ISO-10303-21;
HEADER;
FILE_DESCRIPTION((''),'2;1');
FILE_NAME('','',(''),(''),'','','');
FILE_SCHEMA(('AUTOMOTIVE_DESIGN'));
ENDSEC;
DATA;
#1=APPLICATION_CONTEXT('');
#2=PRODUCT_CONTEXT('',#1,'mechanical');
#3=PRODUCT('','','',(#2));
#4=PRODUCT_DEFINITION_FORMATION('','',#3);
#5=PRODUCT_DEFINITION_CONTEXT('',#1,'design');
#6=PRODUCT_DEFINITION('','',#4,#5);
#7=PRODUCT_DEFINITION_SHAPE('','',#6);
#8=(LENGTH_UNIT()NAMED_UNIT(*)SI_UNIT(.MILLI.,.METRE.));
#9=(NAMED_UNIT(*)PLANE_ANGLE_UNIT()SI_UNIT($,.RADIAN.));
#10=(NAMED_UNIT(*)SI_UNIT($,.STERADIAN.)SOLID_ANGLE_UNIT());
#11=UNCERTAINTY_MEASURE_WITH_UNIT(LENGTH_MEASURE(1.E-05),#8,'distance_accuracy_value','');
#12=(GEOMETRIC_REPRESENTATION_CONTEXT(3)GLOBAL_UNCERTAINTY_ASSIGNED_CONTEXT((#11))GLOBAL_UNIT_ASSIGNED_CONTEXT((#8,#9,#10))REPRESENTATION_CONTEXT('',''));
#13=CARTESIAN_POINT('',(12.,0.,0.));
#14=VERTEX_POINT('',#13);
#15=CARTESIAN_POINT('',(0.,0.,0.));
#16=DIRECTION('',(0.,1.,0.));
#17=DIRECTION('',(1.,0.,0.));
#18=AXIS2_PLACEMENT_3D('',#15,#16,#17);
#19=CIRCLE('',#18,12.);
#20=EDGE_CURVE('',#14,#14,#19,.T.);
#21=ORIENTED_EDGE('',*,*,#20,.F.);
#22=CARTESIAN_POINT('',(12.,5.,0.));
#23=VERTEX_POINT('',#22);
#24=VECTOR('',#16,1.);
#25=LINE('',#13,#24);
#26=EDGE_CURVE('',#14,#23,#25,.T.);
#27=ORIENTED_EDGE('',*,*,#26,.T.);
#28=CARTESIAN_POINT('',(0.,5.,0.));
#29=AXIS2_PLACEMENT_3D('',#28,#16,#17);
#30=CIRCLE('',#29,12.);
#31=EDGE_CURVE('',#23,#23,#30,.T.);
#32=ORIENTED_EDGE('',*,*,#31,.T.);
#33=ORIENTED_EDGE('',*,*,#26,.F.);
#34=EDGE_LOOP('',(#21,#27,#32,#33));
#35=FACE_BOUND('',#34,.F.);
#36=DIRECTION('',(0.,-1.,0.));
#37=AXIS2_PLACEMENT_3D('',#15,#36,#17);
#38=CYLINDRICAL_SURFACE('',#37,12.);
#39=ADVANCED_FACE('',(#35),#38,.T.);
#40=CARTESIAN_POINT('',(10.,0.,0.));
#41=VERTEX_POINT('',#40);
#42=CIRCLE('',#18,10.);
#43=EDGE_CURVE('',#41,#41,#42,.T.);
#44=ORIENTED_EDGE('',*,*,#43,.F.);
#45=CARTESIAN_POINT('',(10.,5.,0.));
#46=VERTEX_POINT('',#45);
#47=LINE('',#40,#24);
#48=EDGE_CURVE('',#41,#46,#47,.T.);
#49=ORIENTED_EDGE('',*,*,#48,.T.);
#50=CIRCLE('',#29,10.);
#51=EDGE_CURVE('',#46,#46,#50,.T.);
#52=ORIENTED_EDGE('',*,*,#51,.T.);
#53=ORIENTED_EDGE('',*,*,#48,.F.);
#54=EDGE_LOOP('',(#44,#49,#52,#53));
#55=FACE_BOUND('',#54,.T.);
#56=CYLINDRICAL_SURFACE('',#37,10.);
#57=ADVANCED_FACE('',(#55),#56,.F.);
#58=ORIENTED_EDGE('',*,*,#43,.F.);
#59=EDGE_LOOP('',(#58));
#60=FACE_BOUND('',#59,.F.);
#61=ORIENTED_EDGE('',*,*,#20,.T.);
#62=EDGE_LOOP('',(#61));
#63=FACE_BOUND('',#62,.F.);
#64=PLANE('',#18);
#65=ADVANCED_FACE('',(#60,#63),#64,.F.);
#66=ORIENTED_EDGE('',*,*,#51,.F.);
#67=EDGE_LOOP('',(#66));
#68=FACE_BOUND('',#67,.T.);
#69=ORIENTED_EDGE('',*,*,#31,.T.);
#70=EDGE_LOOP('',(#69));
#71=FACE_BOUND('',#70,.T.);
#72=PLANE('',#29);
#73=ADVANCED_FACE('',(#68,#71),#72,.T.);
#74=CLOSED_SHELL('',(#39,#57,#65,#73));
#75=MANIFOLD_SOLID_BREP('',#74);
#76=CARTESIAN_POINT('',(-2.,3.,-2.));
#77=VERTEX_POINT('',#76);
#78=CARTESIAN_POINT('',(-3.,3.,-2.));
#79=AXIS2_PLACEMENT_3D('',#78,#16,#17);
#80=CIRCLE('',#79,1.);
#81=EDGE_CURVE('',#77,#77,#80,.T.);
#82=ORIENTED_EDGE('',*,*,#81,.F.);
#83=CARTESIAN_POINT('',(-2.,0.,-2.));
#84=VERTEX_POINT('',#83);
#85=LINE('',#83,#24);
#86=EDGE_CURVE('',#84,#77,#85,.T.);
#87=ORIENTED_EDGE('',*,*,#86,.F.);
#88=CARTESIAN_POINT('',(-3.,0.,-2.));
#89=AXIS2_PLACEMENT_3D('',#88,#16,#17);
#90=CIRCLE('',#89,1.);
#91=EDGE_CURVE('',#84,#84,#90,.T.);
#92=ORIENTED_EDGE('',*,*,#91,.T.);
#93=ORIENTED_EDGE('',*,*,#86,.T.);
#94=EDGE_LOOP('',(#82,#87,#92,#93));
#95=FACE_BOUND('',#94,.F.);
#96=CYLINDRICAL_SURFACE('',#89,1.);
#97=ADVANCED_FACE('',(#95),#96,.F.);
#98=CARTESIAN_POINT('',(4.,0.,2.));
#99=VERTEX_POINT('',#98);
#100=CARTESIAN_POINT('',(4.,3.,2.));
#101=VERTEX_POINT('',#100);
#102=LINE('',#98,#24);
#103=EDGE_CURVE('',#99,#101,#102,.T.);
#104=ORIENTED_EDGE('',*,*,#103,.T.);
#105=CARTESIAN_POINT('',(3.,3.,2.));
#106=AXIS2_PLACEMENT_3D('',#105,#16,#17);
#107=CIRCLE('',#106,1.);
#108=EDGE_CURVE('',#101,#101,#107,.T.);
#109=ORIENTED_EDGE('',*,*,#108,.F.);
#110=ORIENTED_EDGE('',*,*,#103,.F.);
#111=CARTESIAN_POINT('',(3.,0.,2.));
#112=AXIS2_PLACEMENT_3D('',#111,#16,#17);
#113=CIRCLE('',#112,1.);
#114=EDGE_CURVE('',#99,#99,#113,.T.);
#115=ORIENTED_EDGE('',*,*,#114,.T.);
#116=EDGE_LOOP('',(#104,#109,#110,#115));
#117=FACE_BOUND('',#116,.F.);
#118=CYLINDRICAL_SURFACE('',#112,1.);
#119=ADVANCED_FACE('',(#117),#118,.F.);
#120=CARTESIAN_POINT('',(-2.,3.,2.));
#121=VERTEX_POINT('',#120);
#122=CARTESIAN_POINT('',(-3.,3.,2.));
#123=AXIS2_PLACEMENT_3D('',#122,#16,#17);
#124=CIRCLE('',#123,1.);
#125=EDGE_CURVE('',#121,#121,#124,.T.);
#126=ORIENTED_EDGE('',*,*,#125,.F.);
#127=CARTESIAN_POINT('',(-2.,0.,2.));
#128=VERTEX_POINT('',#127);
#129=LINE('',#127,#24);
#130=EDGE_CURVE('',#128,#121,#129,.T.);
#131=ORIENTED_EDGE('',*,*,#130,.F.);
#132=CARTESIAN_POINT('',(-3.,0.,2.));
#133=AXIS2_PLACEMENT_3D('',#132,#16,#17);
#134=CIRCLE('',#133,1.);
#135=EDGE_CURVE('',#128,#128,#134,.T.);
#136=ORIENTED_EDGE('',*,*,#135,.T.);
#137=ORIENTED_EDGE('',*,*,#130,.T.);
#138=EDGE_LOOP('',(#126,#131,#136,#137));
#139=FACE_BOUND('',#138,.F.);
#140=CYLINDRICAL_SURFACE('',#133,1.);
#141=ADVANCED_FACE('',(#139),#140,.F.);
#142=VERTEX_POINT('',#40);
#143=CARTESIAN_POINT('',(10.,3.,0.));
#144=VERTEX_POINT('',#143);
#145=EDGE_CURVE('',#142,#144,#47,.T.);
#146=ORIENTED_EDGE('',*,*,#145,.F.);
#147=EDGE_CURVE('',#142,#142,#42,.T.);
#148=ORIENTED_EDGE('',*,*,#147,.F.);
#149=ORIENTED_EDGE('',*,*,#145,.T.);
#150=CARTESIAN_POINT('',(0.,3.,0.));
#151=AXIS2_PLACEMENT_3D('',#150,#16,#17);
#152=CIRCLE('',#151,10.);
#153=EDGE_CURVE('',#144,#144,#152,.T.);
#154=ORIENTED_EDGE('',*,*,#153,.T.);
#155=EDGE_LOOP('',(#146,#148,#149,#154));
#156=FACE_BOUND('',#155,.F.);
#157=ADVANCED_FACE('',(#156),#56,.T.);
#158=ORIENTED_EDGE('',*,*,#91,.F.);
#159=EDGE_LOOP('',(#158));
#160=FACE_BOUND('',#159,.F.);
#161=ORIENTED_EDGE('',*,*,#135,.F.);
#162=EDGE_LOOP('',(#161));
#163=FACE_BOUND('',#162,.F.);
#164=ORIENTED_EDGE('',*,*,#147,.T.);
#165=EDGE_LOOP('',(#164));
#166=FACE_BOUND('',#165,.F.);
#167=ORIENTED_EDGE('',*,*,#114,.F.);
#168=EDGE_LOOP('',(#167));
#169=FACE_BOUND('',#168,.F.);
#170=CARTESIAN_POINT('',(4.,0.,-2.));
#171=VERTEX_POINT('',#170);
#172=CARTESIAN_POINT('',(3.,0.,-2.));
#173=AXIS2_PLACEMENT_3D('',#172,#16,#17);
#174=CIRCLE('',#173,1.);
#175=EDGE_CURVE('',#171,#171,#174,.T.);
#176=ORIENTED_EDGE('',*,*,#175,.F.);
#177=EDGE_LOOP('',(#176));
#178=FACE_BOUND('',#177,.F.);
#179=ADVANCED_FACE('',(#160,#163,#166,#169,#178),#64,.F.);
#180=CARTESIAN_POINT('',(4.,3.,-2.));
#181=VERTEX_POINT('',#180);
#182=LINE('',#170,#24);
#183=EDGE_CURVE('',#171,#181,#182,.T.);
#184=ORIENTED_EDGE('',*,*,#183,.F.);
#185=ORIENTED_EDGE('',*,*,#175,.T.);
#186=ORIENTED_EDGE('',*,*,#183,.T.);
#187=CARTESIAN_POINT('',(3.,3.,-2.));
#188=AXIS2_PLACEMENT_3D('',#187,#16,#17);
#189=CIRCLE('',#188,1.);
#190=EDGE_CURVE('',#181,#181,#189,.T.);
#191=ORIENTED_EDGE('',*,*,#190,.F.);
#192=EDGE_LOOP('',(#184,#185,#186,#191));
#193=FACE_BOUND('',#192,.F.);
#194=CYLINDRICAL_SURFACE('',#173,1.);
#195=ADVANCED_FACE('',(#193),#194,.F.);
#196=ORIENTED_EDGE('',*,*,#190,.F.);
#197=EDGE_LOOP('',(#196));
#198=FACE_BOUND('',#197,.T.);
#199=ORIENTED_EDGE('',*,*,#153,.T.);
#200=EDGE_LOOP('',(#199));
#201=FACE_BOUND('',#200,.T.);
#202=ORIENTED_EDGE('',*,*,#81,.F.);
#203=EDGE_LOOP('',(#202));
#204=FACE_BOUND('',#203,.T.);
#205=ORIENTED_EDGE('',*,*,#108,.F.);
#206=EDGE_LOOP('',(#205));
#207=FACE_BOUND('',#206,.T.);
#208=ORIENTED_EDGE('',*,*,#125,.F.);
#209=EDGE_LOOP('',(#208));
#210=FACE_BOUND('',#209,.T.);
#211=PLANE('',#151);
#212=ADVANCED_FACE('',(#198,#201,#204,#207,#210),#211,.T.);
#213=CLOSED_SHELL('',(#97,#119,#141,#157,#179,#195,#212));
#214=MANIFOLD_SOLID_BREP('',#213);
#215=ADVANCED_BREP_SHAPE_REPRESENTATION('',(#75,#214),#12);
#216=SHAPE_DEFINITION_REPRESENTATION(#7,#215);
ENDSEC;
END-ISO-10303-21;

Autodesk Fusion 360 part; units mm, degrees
sketch "草图1" plane through (0, 0, 0) normal (0, 1, 0) x (1, 0, 0)
  circle A0 centre (0, 0) radius 10
  circle A1 centre (0, 0) radius 12
  dimension "d1" = 20
  dimension "d2" = 2
extrude "拉伸1" add sketch "草图1" along normal blind 3 contours A0 makes body 1
extrude "拉伸2" add sketch "草图1" along normal blind 5 separate body makes body 2
cylinder "圆柱体基本要素1" add diameter 2 height 20 placed x (1, 0, 0) y (0, 0, -1) z (0, 1, 0) at (20, 0, -10) separate body makes body 3
move_body "移动1" bodies 3 to x (1, 0, 0) y (0, 1, 0) z (0, 0, 1) at (-20, 0, 10)
pattern_linear "R-阵列1" count 2 spacing 6 along (1, 0, 0) count 2 spacing 4 along (0, 0, 1) of bodies 3 makes body 4 at (6.995, 13.3333, 0.0996) makes body 5 at (0.995, 13.3333, 4.0996) makes body 6 at (6.995, 13.3333, 4.0996)
move_body "移动2" bodies 3 4 5 6 to x (1, 0, 0) y (0, 1, 0) z (0, 0, 1) at (-3, 0, -2)
combine "合并1" operation cut target body 1 tool bodies 3 4 5 6
